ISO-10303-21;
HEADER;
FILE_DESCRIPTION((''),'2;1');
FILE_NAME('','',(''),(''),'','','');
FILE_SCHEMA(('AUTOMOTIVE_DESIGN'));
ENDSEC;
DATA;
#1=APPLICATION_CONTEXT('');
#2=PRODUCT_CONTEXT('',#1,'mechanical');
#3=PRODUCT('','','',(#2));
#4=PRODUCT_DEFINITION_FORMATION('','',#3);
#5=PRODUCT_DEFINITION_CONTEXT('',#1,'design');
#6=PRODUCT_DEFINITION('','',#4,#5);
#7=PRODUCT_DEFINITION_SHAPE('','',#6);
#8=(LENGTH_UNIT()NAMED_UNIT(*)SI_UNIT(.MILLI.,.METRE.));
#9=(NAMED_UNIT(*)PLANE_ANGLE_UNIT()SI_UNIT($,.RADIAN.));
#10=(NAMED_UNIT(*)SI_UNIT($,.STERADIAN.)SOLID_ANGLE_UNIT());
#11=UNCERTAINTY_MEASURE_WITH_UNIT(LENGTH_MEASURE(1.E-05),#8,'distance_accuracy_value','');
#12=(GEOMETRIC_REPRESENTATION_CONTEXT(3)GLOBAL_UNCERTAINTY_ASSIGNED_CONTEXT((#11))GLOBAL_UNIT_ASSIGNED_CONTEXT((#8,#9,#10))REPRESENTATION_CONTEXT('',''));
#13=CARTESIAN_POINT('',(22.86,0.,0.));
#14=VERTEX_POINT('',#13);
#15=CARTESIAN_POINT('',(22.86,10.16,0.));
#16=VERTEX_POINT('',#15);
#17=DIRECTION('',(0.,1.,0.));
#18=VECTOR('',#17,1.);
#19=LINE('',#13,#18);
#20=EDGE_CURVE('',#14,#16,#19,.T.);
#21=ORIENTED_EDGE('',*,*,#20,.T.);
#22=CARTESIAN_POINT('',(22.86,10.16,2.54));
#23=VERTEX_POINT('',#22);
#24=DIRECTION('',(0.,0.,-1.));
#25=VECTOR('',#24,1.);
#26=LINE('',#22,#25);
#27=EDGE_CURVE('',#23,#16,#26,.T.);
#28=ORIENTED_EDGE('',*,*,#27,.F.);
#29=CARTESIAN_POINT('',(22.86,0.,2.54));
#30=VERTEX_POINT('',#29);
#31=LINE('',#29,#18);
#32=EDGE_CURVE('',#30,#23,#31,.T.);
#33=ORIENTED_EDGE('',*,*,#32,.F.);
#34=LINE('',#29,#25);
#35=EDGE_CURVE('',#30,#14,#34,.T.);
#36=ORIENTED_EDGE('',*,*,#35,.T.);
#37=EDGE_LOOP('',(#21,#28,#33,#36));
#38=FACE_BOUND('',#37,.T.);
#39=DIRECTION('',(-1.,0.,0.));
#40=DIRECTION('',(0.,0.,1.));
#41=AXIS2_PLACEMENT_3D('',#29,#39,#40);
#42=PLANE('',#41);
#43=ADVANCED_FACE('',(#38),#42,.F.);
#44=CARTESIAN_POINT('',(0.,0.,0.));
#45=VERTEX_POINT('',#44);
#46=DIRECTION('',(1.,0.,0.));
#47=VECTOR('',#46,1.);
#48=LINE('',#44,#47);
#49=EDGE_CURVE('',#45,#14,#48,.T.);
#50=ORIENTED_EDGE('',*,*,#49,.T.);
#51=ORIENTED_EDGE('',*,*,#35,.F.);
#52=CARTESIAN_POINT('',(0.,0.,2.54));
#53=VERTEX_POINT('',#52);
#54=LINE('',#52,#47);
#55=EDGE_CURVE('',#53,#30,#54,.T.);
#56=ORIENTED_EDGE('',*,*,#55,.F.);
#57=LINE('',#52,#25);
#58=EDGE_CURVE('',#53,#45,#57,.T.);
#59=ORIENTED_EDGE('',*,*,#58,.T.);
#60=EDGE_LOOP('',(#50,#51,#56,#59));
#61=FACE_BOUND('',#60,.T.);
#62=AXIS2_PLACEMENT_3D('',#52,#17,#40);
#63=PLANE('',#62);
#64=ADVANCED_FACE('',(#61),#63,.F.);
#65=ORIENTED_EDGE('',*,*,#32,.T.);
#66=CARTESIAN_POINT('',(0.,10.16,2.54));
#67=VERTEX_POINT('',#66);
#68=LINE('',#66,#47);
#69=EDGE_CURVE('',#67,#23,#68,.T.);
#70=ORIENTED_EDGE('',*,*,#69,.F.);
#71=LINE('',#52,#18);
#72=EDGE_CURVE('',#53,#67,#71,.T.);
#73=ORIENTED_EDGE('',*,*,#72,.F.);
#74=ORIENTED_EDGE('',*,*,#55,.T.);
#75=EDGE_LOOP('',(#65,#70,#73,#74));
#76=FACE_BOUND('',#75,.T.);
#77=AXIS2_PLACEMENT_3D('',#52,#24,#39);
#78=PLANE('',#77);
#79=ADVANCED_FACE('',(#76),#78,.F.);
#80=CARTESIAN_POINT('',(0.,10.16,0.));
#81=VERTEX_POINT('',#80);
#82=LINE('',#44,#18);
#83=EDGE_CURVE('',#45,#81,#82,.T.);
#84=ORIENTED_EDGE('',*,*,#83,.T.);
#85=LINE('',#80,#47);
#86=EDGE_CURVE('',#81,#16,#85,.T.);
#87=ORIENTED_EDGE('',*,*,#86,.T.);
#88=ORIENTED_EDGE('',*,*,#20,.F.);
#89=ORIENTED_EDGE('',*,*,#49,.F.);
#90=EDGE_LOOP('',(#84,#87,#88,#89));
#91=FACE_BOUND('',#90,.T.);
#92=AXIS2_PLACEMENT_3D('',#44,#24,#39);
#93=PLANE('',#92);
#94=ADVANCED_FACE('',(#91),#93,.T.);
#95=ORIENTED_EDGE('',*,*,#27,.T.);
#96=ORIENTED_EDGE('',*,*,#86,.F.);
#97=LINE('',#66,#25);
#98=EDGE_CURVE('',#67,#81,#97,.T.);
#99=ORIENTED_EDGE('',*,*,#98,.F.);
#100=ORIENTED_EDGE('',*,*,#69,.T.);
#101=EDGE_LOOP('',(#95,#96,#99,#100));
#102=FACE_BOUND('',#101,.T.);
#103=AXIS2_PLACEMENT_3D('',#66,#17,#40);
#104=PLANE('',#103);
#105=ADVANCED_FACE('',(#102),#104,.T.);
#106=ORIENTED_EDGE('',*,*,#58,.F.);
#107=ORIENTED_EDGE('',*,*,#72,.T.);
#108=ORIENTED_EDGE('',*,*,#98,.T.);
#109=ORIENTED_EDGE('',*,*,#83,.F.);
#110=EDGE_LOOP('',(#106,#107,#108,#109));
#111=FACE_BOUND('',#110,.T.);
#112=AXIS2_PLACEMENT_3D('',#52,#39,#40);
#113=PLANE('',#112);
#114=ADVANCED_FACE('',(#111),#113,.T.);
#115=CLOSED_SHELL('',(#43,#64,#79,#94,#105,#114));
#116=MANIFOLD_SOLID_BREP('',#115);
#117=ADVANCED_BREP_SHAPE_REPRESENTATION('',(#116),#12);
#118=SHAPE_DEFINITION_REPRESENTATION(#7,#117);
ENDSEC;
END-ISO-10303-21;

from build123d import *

# Parameters (mm, degrees)
SKETCH1_W           = 22.86
SKETCH1_H           = 10.16
BOSS_EXTRUDE1_DEPTH = 2.54


with BuildPart() as part:
    # Sketch1 → Boss-Extrude1 (new body)
    with BuildSketch(Plane.XY):
        with Locations((11.43, 5.08)):
            Rectangle(SKETCH1_W, SKETCH1_H)
    extrude(amount=BOSS_EXTRUDE1_DEPTH)


solid = part.part
